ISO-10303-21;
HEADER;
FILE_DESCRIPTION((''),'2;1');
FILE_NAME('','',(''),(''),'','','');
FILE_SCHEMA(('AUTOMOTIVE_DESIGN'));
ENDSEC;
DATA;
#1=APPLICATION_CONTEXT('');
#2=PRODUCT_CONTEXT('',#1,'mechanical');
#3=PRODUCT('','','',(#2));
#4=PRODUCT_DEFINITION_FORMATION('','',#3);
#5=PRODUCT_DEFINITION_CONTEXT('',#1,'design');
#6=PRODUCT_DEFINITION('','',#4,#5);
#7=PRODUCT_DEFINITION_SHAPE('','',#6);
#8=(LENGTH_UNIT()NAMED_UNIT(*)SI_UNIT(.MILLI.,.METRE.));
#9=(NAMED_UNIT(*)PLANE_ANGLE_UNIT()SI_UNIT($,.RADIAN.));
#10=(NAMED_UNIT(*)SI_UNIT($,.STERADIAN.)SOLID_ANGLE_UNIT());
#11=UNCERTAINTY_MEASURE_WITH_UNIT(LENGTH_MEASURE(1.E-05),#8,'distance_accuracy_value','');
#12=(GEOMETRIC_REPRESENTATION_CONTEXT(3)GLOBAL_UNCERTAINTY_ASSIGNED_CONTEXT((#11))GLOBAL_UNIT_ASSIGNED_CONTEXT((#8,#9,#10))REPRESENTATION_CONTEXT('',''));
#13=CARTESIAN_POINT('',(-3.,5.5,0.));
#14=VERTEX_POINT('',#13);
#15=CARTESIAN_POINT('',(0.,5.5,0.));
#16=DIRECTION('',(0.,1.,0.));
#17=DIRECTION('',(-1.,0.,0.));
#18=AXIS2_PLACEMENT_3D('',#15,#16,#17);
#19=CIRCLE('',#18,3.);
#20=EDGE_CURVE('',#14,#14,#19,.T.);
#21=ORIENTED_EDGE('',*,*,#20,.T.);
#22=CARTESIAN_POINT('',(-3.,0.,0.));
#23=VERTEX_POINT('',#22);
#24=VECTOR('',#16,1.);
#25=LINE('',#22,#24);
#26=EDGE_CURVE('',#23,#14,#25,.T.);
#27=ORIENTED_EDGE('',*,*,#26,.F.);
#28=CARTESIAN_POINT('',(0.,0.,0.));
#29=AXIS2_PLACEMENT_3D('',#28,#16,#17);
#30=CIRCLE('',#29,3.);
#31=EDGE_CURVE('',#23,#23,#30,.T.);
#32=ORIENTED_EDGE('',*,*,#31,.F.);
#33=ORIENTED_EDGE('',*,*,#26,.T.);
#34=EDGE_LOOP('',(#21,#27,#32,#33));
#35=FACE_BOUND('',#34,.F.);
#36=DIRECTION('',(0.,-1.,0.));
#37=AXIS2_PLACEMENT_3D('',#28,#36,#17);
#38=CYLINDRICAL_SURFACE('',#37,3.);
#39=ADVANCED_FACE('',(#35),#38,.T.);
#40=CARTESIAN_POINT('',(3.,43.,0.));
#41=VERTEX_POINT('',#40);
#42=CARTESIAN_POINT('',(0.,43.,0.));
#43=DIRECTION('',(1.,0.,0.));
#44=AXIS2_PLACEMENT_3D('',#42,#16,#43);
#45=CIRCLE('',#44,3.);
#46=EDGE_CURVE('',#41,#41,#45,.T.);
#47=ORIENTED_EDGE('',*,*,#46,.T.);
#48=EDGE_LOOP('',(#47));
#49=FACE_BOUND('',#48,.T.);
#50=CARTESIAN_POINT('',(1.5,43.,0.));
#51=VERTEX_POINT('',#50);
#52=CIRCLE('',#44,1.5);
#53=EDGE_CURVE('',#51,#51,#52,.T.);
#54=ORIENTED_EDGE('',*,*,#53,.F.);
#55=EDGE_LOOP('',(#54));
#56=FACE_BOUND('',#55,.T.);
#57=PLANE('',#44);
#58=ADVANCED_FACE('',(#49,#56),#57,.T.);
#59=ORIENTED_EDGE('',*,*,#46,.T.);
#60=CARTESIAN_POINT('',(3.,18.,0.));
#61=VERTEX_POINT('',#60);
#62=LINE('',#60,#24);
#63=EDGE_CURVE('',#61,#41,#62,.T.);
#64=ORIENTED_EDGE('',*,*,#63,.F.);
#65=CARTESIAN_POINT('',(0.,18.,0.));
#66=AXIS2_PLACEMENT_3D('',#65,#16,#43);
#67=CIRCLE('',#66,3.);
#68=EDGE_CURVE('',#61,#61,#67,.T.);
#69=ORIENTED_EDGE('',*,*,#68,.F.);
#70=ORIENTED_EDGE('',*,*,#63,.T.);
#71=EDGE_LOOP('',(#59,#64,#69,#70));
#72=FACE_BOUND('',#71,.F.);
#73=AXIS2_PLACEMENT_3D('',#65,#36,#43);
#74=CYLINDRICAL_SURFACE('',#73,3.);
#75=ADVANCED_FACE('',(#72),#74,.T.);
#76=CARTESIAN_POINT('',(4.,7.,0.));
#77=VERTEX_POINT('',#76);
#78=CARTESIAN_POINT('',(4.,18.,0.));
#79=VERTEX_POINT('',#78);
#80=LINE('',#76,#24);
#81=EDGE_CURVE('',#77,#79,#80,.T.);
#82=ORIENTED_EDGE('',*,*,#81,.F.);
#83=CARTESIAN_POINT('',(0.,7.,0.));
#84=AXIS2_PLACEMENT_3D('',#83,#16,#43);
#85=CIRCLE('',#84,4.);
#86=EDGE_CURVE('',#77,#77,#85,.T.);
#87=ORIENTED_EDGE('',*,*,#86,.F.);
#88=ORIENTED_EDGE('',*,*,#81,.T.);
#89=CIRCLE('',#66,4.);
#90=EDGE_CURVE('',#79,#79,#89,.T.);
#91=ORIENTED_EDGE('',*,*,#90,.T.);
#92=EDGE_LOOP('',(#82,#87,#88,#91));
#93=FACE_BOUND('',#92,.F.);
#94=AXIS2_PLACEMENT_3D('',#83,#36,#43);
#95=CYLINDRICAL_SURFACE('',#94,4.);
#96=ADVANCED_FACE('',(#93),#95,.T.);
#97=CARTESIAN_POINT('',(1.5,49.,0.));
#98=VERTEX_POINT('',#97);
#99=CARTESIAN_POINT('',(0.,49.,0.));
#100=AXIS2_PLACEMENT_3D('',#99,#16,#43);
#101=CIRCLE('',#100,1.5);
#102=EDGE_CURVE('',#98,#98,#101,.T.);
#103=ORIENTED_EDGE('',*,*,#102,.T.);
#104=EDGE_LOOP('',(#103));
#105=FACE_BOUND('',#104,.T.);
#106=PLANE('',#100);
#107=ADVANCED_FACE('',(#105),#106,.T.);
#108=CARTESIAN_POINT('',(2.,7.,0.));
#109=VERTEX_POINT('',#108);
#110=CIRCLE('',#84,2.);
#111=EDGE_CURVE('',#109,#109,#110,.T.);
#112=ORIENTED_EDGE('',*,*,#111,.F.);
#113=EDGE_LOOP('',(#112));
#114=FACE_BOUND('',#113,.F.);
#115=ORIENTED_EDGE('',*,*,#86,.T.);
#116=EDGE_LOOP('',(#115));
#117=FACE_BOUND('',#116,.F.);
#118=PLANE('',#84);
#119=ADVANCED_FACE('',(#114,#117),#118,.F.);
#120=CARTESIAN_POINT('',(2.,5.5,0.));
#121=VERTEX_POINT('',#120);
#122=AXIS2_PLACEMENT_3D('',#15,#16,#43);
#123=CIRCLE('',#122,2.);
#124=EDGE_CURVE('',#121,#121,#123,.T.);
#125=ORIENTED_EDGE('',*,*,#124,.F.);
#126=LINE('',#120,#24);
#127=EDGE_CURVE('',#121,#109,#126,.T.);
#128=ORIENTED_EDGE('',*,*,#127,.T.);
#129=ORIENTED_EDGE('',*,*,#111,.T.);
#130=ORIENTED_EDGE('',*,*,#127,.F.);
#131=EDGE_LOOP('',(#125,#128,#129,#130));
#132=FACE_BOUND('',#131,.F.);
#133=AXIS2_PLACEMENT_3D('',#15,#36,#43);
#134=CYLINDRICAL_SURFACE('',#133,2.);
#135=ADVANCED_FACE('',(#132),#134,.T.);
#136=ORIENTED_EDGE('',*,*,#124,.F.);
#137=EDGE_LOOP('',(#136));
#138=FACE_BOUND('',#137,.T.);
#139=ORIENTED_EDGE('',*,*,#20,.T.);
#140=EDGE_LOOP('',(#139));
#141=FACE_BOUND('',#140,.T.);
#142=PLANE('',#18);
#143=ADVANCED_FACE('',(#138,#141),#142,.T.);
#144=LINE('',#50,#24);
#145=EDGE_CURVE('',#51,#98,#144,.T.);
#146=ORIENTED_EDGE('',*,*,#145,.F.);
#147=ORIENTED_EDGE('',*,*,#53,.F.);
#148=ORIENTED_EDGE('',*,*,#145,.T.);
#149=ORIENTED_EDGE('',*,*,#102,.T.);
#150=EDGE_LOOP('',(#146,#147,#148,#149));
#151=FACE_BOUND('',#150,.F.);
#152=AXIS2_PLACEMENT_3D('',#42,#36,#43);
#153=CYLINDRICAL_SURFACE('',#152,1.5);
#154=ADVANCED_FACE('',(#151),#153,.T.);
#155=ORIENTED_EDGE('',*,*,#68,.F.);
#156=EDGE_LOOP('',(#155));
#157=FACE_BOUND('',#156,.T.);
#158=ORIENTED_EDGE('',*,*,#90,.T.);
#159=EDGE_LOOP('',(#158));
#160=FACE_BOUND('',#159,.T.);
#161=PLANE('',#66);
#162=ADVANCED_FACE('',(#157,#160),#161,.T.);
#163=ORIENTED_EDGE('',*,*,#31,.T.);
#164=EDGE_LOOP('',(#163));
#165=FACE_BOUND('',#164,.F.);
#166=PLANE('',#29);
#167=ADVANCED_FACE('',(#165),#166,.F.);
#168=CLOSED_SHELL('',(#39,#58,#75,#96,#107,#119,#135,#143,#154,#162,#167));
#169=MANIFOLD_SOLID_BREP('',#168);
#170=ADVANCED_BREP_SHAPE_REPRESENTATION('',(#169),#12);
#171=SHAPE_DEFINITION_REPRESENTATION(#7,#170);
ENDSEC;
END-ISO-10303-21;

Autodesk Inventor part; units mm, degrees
ref_plane "YZ Plane" through (0, 0, 0) normal (1, 0, 0) x (0, 1, 0)
ref_plane "XZ Plane" through (0, 0, 0) normal (0, 1, 0) x (-1, 0, 0)
ref_plane "XY Plane" through (0, 0, 0) normal (0, 0, 1) x (1, 0, 0)
sketch "Sketch1" plane through (0, 0, 0) normal (0, 1, 0) x (-1, 0, 0)
  circle A0 centre (0, 0) radius 3
  dimension "d0" = 6
extrude "Extrusion1" add sketch "Sketch1" along normal blind 5.5
sketch "Sketch2" plane through (0, 5.5, 0) normal (0, 1, 0) x (1, 0, 0)
  circle A0 centre (0, 0) radius 2
  dimension "d3" = 4
extrude "Extrusion2" add sketch "Sketch2" along normal blind 1.5
sketch "Sketch3" plane through (0, 7, 0) normal (0, 1, 0) x (1, 0, 0)
  circle A0 centre (0, 0) radius 4
  dimension "d6" = 8
extrude "Extrusion3" add sketch "Sketch3" along normal blind 11
sketch "Sketch4" plane through (0, 18, 0) normal (0, 1, 0) x (1, 0, 0)
  circle A0 centre (0, 0) radius 3
  dimension "d9" = 6
extrude "Extrusion4" add sketch "Sketch4" along normal blind 25
sketch "Sketch5" plane through (0, 43, 0) normal (0, 1, 0) x (1, 0, 0)
  circle A0 centre (0, 0) radius 3 projected
  circle A1 centre (0, 0) radius 1.5
  dimension "d12" = 3
extrude "Extrusion5" add sketch "Sketch5" along normal blind 6 contours A1
thread "Thread1" size "M6x1" class "6g" standard "ANSI Metric M Profile" full length
properties part number "reverse gear lever ring stud"
